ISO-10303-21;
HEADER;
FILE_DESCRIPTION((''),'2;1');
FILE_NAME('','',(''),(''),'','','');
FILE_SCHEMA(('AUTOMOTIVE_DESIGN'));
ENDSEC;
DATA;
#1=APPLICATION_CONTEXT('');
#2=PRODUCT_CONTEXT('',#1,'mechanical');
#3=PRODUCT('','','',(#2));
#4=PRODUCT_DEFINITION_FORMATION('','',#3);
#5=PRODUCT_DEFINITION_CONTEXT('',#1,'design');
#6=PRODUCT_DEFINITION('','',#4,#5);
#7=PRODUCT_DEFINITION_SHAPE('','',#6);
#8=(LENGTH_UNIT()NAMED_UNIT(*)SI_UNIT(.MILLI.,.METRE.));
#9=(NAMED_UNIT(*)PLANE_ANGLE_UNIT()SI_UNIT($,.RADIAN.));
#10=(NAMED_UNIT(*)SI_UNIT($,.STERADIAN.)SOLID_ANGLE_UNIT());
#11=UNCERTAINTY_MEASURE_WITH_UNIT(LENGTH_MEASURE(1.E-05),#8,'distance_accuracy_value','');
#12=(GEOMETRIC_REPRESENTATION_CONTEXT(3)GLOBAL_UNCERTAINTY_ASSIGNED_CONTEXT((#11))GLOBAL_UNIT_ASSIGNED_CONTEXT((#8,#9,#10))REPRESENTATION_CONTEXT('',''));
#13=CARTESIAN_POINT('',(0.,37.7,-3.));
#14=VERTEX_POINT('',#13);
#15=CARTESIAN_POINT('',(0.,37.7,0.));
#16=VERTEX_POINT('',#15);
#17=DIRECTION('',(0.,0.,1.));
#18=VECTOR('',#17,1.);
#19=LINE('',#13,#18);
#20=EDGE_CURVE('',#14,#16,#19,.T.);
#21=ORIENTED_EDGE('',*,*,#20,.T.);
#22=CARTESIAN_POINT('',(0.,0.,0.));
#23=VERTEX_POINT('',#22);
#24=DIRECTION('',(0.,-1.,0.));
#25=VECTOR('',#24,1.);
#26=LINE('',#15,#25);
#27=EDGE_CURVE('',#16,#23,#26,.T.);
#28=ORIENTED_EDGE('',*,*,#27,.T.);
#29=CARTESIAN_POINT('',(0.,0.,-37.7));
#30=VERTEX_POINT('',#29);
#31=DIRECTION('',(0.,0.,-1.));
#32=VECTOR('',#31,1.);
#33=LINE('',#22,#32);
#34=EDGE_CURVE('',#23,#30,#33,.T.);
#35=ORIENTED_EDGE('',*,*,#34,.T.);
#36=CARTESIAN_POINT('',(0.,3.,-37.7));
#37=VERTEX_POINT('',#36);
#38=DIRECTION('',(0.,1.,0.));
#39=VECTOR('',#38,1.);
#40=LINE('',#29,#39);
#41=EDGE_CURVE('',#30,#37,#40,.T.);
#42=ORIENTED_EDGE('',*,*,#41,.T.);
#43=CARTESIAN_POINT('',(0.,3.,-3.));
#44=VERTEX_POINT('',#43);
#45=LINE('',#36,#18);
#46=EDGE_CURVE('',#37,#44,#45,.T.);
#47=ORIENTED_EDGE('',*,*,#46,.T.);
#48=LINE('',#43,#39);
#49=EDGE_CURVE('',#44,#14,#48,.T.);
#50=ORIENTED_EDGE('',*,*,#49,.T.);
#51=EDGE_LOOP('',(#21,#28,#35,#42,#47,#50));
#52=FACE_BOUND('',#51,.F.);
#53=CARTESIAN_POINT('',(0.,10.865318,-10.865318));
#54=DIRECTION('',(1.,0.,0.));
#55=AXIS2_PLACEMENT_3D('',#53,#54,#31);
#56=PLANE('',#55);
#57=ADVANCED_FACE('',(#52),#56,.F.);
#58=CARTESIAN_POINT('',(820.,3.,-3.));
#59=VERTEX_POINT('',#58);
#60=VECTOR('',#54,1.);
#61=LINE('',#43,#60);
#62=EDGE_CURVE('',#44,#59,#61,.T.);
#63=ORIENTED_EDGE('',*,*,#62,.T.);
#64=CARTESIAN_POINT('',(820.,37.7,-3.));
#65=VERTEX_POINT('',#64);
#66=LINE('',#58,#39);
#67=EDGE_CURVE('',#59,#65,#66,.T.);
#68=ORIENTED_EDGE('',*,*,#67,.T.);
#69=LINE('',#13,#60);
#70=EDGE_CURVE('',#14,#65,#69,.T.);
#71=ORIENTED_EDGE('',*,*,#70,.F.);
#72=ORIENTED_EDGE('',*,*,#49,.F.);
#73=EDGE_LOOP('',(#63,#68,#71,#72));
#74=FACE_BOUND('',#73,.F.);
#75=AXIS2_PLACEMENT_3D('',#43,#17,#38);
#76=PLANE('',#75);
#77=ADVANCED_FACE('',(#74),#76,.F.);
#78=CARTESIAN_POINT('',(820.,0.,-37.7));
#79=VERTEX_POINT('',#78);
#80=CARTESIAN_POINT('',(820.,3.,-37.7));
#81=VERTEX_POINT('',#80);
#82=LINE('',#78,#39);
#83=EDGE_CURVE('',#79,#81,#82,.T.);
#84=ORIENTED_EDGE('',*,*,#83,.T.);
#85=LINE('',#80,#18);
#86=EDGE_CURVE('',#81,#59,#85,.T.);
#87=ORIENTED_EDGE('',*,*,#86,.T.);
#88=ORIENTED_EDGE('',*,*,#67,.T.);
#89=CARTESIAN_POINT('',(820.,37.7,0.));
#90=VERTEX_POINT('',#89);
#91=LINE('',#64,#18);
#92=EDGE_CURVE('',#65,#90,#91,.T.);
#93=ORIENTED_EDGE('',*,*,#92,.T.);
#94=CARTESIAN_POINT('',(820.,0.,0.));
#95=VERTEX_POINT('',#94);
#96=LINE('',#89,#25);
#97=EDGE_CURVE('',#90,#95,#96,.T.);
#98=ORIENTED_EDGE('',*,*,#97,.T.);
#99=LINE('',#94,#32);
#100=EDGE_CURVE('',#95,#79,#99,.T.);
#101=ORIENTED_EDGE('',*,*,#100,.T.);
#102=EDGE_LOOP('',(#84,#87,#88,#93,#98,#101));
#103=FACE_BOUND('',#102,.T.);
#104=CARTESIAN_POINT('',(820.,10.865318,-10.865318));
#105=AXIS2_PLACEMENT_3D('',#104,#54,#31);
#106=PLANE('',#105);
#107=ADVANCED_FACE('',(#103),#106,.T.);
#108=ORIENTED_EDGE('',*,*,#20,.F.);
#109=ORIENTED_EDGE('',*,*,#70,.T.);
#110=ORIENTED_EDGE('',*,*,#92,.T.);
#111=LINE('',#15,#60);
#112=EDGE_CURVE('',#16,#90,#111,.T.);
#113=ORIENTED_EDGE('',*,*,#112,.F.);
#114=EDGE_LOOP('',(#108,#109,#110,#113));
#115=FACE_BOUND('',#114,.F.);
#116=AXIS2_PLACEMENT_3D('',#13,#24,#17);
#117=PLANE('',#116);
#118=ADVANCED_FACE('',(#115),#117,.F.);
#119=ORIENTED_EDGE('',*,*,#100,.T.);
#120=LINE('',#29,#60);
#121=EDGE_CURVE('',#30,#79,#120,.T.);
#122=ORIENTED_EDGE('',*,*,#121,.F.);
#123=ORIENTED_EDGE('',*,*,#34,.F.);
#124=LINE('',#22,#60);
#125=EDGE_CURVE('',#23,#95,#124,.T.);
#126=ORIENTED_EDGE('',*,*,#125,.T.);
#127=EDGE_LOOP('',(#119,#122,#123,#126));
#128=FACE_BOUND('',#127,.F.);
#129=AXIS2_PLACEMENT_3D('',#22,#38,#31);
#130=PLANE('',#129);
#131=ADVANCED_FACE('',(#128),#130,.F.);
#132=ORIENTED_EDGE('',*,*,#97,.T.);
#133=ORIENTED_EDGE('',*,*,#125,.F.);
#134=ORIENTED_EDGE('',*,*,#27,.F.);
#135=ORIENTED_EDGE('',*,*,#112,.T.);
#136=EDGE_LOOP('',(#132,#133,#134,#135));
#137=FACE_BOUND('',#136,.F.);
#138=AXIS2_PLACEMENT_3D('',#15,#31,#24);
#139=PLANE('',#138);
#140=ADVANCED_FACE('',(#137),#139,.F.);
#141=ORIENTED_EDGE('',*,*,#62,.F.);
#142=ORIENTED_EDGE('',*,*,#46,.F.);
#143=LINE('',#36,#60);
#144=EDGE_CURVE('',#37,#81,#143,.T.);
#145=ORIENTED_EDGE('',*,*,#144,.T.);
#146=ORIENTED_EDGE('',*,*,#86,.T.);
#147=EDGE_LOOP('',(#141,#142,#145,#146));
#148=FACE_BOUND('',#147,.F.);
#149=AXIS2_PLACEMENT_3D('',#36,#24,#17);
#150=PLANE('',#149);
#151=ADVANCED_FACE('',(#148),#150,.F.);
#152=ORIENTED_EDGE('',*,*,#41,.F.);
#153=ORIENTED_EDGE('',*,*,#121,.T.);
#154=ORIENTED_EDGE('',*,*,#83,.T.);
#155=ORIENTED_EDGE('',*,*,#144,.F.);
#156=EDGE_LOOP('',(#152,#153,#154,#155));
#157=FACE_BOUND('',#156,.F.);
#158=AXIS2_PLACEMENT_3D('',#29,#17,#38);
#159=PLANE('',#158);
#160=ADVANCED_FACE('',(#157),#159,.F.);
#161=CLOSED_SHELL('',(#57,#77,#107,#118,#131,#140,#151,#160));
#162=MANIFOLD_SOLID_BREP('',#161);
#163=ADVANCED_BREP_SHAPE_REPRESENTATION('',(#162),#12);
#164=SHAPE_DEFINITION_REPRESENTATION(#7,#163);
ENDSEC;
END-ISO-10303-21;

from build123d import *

# Parameters (mm, degrees)
EXTRUDE_1_DEPTH = 820


with BuildPart() as part:
    # Эскиз1 → Вытянуть-Тонкостенный1 (new body)
    with BuildSketch(Plane(origin=(0, 0, 0), x_dir=(0, 0, -1), z_dir=(1, 0, 0))):
        Polygon((0, 37.7), (0, 0), (37.7, 0), (37.7, 3), (3, 3), (3, 37.7), align=None)
    extrude(amount=EXTRUDE_1_DEPTH)


solid = part.part
